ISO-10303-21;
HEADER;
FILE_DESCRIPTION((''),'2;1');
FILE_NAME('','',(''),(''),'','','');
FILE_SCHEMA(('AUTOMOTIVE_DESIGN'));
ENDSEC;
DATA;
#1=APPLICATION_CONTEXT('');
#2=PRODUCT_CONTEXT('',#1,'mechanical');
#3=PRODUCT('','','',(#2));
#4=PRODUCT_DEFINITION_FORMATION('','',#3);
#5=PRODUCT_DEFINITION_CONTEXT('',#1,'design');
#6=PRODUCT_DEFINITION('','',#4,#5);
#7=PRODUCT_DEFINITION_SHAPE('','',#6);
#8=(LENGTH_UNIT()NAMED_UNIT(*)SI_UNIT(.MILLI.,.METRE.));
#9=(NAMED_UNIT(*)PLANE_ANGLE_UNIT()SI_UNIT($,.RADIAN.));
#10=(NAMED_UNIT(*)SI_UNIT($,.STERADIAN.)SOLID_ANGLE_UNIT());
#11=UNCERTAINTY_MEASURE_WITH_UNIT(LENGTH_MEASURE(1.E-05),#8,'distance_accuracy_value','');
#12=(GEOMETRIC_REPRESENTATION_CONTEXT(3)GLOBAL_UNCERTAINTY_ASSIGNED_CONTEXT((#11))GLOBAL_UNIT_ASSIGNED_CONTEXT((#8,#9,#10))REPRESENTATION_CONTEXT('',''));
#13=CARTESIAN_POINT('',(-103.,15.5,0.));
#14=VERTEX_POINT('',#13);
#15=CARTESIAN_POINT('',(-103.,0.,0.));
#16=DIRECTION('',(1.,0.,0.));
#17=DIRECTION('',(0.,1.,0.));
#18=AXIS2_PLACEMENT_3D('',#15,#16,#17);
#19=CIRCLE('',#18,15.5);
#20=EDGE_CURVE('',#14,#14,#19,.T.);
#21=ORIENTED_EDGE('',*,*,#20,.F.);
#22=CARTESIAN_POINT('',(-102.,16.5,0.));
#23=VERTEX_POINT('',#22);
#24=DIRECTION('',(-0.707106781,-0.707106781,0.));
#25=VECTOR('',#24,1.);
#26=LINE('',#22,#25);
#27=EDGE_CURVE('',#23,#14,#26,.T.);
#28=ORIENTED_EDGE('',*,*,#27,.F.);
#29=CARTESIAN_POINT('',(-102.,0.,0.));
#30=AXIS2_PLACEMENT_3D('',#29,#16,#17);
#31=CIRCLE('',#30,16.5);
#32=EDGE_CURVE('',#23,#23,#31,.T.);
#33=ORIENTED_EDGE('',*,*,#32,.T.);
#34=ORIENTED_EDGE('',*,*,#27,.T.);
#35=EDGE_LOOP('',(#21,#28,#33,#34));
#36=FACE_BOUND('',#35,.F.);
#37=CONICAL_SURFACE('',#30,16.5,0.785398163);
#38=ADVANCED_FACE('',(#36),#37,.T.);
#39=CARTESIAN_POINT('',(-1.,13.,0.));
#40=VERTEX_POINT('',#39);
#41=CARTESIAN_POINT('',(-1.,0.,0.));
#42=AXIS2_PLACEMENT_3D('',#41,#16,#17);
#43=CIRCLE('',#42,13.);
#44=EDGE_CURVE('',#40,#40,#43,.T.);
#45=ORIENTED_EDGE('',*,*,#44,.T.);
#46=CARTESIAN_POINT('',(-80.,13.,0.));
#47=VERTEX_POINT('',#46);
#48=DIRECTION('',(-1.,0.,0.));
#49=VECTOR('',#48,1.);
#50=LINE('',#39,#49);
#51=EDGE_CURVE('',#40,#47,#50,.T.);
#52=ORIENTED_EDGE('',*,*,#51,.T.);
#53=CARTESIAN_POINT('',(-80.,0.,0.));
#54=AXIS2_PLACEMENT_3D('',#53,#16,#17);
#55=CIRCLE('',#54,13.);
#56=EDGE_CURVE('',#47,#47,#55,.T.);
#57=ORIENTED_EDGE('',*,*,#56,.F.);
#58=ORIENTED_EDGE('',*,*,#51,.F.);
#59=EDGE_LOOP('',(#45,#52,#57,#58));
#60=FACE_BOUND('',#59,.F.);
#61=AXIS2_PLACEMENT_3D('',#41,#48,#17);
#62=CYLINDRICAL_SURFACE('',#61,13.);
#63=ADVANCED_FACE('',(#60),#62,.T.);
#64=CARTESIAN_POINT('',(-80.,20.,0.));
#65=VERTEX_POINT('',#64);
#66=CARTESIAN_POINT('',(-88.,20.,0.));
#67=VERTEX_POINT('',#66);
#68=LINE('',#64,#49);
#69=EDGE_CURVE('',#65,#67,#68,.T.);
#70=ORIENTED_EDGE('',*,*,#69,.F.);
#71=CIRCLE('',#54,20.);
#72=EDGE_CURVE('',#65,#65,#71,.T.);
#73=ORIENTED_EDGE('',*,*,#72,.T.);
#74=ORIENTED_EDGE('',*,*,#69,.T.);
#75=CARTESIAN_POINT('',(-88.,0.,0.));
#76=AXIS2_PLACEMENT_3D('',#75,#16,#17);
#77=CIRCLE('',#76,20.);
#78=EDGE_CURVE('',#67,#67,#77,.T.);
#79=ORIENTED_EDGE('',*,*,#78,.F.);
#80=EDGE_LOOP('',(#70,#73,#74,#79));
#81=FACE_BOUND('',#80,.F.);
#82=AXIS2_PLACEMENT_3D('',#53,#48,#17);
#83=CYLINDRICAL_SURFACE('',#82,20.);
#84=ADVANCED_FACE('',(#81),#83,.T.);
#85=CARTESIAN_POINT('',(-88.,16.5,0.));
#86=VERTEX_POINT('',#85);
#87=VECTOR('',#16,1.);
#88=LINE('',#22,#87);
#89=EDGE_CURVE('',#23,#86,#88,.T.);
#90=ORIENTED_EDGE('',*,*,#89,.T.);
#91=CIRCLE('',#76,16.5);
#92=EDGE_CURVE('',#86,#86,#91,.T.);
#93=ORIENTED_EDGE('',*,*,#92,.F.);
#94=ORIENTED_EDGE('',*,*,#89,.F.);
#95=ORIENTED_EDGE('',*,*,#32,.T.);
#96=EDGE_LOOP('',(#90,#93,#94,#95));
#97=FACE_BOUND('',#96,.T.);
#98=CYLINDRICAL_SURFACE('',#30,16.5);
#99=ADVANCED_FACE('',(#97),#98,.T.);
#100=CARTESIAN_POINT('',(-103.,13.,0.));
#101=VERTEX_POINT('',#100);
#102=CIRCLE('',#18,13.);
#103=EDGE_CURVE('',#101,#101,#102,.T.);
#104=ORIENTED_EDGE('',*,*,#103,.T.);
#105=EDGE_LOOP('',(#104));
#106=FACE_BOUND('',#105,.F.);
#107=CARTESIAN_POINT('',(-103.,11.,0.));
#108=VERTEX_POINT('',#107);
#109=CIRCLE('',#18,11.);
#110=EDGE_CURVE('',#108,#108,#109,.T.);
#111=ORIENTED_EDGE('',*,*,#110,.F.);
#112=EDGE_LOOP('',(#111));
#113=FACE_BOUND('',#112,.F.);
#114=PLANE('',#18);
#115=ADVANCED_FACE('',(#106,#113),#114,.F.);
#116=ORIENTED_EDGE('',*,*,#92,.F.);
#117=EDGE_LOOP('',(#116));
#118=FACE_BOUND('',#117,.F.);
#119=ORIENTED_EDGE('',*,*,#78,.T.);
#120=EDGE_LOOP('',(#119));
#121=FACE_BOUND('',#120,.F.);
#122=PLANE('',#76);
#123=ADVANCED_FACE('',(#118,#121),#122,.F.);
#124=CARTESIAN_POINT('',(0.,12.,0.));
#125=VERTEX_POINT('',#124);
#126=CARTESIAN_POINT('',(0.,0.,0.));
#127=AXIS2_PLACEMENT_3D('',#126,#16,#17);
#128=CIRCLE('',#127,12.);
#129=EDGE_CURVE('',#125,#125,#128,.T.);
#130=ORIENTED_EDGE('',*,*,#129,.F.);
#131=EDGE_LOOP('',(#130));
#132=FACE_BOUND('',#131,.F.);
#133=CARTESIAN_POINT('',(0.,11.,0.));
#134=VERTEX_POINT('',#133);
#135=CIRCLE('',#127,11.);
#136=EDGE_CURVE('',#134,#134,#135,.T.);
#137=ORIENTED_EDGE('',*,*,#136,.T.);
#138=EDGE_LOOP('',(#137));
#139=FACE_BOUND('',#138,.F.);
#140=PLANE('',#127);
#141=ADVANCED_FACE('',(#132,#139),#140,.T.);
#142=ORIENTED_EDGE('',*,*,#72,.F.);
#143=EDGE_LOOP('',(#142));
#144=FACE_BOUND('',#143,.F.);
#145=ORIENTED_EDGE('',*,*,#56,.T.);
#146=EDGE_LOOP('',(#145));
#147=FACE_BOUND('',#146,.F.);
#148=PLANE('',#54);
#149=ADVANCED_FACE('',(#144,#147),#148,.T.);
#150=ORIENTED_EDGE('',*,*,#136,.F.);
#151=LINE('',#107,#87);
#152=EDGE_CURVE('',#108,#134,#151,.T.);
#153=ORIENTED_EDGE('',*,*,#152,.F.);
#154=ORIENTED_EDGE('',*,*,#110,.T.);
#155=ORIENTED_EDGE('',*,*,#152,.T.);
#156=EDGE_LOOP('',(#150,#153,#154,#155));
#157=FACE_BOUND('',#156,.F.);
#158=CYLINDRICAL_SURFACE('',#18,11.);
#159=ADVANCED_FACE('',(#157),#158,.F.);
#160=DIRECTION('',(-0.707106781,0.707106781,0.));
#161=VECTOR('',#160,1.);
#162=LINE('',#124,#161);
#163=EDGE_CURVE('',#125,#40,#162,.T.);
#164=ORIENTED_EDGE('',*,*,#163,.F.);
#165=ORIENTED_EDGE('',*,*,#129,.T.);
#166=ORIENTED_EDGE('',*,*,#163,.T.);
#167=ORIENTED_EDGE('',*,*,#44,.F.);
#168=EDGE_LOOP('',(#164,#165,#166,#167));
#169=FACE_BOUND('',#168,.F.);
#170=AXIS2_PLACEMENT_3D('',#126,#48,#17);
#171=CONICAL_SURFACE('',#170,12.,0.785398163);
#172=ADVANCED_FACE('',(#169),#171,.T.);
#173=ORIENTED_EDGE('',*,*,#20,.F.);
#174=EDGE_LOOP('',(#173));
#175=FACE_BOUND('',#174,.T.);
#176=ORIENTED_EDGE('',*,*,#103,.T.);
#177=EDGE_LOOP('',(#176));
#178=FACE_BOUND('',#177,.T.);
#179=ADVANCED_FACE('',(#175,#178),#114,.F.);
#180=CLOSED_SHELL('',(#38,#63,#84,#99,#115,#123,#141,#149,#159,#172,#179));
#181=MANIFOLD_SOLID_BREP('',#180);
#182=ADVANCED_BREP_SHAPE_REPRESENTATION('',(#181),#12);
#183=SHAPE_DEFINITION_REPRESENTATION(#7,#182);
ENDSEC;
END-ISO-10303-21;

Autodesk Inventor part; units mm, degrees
ref_plane "YZ Plane" through (0, 0, 0) normal (1, 0, 0) x (0, 1, 0)
ref_plane "XZ Plane" through (0, 0, 0) normal (0, 1, 0) x (-1, 0, 0)
ref_plane "XY Plane" through (0, 0, 0) normal (0, 0, 1) x (1, 0, 0)
sketch "Sketch1" plane through (0, 0, 0) normal (0, 0, 1) x (1, 0, 0)
  line L0 (-103, 11) -> (0, 11)
  line L1 (0, 11) -> (0, 12)
  line L2 (-1, 13) -> (-80, 13)
  line L3 (-80, 13) -> (-80, 20)
  line L4 (-80, 20) -> (-88, 20)
  line L5 (-103, 13) -> (-103, 11)
  line L6 (-103, 13) -> (-103, 15.5)
  line L7 (-102, 16.5) -> (-88, 16.5)
  line L8 (-88, 20) -> (-88, 16.5)
  line L9 (0, 12) -> (-1, 13)
  line L10 (-102, 16.5) -> (-103, 15.5)
  line L11 (-118.5, 0) -> (44.527, 0) construction
  point P0 (0, 0)
  point P1 (0, 13)
  point P2 (-84, 20)
  point P3 (-103, 16.5)
  dimension "d0" = 103
  dimension "d1" = 11
  dimension "d2" = 0
  dimension "d4" = 8
  dimension "d5" = 80
  dimension "d7" = 13
  dimension "d11" = 15
  dimension "d12" = 16.5
  dimension "d13" = 20
  dimension "d14" = 1
  dimension "d15" = 1
  dimension "d16" = 1
  dimension "d17" = 1
revolve "Revolution1" add sketch "Sketch1" angle 360 about axis through (-118.5, 0, 0) along (1, 0, 0)
equation "\"d15\" = d14"
equation "\"d17\" = d16"
properties part number "Bucha do Ferramental"
